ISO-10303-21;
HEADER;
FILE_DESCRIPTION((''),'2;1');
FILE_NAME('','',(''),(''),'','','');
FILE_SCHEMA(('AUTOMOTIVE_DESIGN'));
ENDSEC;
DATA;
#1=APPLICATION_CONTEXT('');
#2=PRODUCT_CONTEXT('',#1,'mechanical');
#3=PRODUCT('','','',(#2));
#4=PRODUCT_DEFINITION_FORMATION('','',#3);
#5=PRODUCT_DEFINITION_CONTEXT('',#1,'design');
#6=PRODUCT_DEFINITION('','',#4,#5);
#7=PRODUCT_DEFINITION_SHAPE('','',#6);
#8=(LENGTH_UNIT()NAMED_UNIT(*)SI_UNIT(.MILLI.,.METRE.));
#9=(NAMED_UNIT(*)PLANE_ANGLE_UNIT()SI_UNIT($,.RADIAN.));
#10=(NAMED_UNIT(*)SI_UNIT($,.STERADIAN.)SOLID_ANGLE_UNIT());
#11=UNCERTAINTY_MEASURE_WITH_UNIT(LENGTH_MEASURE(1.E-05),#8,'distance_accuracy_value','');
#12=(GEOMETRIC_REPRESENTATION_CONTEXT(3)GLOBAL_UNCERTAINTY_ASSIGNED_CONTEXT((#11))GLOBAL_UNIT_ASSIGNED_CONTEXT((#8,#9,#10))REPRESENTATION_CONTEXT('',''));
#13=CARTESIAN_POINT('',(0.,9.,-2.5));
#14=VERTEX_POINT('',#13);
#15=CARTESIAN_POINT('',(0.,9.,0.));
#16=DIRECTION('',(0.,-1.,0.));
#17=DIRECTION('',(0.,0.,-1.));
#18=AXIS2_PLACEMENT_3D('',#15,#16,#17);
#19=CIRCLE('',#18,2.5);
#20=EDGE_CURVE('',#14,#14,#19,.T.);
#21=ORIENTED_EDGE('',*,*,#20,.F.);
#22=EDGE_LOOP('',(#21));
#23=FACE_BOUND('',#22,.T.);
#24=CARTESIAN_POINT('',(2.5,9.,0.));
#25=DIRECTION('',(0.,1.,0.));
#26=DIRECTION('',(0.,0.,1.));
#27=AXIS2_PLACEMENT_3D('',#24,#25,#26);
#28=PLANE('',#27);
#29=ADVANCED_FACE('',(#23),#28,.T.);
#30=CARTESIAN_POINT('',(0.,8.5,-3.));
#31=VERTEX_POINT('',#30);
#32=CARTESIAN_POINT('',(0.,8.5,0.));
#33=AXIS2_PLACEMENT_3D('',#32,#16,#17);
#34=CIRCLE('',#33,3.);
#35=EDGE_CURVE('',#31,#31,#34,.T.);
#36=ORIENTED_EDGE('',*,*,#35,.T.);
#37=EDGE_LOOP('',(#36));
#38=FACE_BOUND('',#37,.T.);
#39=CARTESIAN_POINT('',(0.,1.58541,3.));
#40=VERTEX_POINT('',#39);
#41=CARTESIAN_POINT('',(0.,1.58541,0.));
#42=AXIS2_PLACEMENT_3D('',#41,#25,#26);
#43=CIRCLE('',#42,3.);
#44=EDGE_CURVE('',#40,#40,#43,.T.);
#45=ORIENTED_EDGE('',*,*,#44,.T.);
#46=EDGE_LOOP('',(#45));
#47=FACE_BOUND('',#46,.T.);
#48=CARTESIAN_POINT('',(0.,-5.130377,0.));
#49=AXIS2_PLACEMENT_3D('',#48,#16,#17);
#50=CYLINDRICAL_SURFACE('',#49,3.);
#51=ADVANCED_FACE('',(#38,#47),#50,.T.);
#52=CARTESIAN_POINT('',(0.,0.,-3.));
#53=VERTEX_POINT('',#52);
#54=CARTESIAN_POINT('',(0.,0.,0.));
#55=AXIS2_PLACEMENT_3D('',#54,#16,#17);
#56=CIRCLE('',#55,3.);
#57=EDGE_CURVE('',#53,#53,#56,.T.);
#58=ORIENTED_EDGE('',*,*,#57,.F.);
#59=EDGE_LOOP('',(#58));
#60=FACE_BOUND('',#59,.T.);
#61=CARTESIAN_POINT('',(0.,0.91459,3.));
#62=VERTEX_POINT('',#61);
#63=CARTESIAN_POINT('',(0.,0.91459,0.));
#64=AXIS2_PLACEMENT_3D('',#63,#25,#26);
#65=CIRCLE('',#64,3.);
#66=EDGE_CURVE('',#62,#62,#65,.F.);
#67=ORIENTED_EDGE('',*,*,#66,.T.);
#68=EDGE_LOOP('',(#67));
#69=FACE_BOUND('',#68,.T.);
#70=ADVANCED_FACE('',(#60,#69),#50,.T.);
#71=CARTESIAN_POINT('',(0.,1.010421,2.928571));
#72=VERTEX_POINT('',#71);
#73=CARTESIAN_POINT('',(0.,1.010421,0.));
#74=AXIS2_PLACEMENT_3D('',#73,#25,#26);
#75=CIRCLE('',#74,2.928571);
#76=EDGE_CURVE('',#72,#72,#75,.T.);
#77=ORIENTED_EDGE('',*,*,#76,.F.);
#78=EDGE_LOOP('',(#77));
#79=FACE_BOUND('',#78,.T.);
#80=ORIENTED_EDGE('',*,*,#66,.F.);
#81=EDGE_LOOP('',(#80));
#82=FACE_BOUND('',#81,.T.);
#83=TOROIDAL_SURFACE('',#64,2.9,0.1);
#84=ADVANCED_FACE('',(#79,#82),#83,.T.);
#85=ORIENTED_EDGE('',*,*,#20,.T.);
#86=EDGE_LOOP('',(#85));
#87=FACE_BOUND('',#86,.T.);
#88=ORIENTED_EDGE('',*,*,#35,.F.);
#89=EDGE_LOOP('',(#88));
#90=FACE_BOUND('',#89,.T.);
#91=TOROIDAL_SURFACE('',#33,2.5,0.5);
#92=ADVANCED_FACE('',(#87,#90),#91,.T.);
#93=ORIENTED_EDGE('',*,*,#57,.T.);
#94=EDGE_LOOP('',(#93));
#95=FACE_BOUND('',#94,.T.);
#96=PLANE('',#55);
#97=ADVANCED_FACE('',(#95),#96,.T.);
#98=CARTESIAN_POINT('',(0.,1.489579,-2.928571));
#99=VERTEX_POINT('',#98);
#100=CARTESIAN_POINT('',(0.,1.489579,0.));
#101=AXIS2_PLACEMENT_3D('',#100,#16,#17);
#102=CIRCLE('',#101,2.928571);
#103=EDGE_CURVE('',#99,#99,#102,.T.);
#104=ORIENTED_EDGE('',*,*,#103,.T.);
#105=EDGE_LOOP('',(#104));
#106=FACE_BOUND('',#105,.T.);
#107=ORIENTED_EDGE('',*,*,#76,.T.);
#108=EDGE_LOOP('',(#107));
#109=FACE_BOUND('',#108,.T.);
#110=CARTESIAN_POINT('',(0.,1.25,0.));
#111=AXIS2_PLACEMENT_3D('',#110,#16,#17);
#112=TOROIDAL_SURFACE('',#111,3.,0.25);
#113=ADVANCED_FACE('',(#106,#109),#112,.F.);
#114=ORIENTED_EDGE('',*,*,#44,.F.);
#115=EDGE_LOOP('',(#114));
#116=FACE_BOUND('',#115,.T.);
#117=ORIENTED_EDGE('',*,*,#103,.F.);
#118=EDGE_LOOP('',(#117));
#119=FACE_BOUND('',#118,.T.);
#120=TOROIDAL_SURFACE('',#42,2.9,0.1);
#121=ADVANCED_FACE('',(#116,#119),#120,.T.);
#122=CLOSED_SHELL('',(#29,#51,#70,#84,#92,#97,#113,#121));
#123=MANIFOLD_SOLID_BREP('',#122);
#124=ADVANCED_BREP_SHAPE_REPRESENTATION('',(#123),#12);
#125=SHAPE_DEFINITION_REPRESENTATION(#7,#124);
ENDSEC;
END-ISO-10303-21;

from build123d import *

# Parameters (mm, degrees)
FILLET1_R = 0.1


with BuildPart() as part:
    # Sketch1 → Revolve1 (revolve)
    with BuildSketch(Plane.XY, mode=Mode.PRIVATE) as revolve1_sk:
        with BuildLine():
            Line((0, 0), (3, 0))
            Line((3, 0), (3, 1))
            ThreePointArc((3, 1), (2.75, 1.25), (3, 1.5))
            Line((3, 1.5), (3, 8.5))
            ThreePointArc((3, 8.5), (2.853553391, 8.853553391), (2.5, 9))
            Line((2.5, 9), (0, 9))
            Line((0, 9), (0, 0))
        make_face()
    revolve(revolve1_sk.sketch.rotate(Axis((0, -5.130376558, 0), (0, 1, 0)), 90), axis=Axis((0, -5.130376558, 0), (0, 1, 0)))

    # Fillet1
    fillet1_edges = [part.edges().sort_by_distance(p)[0] for p in [
        (0, 1.5, 3),
        (0, 1, 3),
    ]]
    fillet(fillet1_edges, radius=FILLET1_R)


solid = part.part
